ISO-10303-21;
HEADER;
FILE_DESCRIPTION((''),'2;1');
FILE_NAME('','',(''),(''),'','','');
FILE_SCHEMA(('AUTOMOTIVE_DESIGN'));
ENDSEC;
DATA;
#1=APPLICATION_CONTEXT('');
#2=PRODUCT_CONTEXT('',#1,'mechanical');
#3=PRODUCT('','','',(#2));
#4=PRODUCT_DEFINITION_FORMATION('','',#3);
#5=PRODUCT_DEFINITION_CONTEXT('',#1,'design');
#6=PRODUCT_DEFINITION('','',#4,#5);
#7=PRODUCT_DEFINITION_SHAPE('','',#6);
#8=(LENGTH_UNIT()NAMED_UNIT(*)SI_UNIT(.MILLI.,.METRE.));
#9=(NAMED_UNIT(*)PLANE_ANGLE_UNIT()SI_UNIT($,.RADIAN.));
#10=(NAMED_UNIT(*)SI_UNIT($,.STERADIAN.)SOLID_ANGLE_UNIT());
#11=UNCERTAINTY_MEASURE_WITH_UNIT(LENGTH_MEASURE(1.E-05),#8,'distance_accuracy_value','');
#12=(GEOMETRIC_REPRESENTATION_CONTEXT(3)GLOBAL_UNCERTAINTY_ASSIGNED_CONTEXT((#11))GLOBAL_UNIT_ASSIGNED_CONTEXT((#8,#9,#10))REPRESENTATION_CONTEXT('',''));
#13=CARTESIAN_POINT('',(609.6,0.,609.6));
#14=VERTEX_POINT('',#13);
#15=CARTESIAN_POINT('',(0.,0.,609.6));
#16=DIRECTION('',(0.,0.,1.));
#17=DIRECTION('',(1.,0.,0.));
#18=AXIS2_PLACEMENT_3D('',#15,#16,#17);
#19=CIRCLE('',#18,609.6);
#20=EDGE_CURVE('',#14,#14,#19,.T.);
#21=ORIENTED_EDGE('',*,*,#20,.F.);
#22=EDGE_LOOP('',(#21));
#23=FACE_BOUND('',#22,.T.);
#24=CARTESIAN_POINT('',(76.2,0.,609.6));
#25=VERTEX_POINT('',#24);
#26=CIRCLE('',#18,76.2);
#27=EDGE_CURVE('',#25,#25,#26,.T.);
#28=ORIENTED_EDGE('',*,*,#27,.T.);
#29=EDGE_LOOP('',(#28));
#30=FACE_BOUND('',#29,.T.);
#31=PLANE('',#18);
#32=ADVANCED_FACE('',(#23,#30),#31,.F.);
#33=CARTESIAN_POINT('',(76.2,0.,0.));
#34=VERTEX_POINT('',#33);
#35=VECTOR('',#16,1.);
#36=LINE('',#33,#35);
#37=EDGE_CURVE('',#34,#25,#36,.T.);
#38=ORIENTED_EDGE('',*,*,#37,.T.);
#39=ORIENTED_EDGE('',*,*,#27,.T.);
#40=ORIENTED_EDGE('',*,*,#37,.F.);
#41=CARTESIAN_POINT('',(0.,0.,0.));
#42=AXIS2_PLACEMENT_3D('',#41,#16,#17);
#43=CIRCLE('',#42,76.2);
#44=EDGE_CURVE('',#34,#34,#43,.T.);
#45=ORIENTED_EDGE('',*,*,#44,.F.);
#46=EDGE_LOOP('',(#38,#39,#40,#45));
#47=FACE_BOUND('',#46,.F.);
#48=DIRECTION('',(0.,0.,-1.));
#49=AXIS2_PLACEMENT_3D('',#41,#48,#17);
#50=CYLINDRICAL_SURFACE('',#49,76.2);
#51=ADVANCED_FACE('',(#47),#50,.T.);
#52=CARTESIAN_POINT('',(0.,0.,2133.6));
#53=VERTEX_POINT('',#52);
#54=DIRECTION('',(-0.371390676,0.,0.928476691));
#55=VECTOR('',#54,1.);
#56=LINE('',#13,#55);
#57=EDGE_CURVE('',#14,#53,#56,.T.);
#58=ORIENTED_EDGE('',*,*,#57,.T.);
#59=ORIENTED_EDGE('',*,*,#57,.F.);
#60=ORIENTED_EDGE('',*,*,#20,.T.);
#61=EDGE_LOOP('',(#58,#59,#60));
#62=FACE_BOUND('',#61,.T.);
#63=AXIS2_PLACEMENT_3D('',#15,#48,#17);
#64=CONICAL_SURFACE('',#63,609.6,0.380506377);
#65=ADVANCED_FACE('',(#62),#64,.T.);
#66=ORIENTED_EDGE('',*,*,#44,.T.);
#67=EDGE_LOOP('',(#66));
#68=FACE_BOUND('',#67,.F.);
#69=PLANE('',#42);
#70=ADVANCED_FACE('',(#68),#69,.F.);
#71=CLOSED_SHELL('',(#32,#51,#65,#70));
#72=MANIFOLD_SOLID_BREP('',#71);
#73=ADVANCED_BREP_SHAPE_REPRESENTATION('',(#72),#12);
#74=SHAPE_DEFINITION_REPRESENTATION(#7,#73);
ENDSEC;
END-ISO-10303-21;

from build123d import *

# Parameters (mm, degrees)
F0_R     = 76.2
F1_DEPTH = 609.6


with BuildPart() as f1:
    # F0 (on Top) → F1 (new body)
    with BuildSketch(Plane.XY):
        Circle(F0_R)
    extrude(amount=F1_DEPTH)

    # F2 (on Front) → F3 (revolve)
    with BuildSketch(Plane.XZ):
        Polygon((0, 2133.6), (0, 609.6), (609.6, 609.6), align=None)
    revolve(axis=Axis((0, 0, 1371.6), (0, 0, 1)))


solid = f1.part
